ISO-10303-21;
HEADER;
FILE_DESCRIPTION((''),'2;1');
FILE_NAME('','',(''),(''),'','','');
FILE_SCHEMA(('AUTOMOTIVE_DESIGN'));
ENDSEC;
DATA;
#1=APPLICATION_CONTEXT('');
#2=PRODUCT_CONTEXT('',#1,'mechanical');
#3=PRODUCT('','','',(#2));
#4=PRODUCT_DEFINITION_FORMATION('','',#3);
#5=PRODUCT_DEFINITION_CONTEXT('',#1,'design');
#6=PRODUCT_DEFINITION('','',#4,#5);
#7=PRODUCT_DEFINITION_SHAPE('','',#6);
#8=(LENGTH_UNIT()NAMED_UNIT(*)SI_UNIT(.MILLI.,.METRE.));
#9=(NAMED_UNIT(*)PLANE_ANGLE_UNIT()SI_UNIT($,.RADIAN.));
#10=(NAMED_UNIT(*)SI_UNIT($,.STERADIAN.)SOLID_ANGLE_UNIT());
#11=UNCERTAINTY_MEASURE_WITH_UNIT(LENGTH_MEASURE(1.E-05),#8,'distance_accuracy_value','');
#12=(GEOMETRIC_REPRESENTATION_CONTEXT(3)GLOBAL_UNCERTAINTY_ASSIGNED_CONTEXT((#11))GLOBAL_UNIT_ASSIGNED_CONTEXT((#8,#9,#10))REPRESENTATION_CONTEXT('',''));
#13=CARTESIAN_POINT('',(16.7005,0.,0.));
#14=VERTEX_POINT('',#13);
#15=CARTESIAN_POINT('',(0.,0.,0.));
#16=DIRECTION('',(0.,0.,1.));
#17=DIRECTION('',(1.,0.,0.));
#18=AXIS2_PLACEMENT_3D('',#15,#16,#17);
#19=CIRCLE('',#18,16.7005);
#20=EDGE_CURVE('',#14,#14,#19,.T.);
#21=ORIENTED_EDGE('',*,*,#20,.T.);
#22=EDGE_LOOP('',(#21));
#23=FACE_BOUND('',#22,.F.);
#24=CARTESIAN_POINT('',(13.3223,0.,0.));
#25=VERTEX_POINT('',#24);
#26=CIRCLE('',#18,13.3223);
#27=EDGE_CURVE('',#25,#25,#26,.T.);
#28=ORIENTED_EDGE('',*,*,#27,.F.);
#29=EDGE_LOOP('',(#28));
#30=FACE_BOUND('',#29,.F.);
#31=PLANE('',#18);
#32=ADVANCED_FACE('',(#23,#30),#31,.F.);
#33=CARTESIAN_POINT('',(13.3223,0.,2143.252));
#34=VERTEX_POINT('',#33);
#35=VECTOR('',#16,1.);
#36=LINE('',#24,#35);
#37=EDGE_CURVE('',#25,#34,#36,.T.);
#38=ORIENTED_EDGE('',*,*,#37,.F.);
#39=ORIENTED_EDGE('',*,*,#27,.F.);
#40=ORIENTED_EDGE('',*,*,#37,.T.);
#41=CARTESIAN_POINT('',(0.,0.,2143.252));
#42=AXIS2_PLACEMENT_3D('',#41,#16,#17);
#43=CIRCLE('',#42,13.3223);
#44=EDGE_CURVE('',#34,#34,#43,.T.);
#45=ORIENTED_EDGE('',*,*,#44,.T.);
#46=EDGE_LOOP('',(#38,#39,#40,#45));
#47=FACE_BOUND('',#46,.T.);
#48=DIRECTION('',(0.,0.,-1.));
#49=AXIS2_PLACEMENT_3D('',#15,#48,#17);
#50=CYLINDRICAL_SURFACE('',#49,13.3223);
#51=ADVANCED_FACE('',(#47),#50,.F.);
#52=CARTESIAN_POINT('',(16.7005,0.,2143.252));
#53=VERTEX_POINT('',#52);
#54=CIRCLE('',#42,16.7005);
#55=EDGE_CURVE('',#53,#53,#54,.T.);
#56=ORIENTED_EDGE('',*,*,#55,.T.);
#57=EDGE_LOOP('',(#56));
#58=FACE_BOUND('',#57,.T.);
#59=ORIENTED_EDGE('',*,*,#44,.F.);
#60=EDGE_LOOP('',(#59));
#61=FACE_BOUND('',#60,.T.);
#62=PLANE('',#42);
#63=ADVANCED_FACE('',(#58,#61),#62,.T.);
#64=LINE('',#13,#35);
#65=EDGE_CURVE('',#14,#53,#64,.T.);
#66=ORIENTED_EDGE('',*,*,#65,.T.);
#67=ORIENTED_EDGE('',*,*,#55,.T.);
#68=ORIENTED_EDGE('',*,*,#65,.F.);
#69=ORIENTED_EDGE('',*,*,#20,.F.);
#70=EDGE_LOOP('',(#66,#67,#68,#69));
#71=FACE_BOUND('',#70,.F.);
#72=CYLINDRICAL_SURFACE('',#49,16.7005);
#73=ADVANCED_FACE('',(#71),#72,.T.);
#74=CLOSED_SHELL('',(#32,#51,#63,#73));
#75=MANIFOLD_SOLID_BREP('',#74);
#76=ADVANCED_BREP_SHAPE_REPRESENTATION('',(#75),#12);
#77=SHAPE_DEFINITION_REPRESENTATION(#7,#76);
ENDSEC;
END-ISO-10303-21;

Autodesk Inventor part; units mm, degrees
ref_plane "YZ Plane" through (0, 0, 0) normal (1, 0, 0) x (0, 1, 0)
ref_plane "Start plane" through (0, 0, 0) normal (0, 0, 1) x (1, 0, 0)
ref_plane "End plane" through (0, 0, 2143.252) normal (0, 0, 1) x (1, 0, 0)
sketch "Sketch" plane through (0, 0, 0) normal (0, 0, 1) x (1, 0, 0)
  circle A0 centre (0, 0) radius 13.3223
  circle A1 centre (0, 0) radius 16.7005
  dimension "d0" = 33.401
  dimension "d1" = 3.3782
extrude "Body" add sketch "Sketch" along normal up to surface (2143.252 mm away) from surface at 0
sketch "Sketch3" plane through (0, 0, 0) normal (0, 0, 1) x (1, 0, 0)
  line L0 (0, 0) -> (10, 0)
ref_plane "Work Plane3" through (0, 0, 0) normal (0, -1, 0) x (1, 0, 0)
sketch "Sketch4" plane through (0, 0, 0) normal (0, -1, 0) x (1, 0, 0)
  line L0 (-2, 0) -> (12, 0)
  line L1 (-2, 2143.252) -> (12, 2143.252)
  dimension "d7" = 2143.252
equation "\"d0\" = G_H"
equation "\"d1\" = G_T"
equation "\"d2\" = G_L"
equation "\"G_H\" = 33.401"
equation "\"G_T\" = 3.3782"
equation "\"G_L\" = d7"
equation "\"G_OFFSET_START\" = 0"
equation "\"G_OFFSET_END\" = 0"
equation "\"d5\" = G_OFFSET_END + B_L"
equation "\"B_L\" = 2143.252"
properties part number "ANSI - 1 x 0.133 - 84.38" material "Aluminum 6061"
